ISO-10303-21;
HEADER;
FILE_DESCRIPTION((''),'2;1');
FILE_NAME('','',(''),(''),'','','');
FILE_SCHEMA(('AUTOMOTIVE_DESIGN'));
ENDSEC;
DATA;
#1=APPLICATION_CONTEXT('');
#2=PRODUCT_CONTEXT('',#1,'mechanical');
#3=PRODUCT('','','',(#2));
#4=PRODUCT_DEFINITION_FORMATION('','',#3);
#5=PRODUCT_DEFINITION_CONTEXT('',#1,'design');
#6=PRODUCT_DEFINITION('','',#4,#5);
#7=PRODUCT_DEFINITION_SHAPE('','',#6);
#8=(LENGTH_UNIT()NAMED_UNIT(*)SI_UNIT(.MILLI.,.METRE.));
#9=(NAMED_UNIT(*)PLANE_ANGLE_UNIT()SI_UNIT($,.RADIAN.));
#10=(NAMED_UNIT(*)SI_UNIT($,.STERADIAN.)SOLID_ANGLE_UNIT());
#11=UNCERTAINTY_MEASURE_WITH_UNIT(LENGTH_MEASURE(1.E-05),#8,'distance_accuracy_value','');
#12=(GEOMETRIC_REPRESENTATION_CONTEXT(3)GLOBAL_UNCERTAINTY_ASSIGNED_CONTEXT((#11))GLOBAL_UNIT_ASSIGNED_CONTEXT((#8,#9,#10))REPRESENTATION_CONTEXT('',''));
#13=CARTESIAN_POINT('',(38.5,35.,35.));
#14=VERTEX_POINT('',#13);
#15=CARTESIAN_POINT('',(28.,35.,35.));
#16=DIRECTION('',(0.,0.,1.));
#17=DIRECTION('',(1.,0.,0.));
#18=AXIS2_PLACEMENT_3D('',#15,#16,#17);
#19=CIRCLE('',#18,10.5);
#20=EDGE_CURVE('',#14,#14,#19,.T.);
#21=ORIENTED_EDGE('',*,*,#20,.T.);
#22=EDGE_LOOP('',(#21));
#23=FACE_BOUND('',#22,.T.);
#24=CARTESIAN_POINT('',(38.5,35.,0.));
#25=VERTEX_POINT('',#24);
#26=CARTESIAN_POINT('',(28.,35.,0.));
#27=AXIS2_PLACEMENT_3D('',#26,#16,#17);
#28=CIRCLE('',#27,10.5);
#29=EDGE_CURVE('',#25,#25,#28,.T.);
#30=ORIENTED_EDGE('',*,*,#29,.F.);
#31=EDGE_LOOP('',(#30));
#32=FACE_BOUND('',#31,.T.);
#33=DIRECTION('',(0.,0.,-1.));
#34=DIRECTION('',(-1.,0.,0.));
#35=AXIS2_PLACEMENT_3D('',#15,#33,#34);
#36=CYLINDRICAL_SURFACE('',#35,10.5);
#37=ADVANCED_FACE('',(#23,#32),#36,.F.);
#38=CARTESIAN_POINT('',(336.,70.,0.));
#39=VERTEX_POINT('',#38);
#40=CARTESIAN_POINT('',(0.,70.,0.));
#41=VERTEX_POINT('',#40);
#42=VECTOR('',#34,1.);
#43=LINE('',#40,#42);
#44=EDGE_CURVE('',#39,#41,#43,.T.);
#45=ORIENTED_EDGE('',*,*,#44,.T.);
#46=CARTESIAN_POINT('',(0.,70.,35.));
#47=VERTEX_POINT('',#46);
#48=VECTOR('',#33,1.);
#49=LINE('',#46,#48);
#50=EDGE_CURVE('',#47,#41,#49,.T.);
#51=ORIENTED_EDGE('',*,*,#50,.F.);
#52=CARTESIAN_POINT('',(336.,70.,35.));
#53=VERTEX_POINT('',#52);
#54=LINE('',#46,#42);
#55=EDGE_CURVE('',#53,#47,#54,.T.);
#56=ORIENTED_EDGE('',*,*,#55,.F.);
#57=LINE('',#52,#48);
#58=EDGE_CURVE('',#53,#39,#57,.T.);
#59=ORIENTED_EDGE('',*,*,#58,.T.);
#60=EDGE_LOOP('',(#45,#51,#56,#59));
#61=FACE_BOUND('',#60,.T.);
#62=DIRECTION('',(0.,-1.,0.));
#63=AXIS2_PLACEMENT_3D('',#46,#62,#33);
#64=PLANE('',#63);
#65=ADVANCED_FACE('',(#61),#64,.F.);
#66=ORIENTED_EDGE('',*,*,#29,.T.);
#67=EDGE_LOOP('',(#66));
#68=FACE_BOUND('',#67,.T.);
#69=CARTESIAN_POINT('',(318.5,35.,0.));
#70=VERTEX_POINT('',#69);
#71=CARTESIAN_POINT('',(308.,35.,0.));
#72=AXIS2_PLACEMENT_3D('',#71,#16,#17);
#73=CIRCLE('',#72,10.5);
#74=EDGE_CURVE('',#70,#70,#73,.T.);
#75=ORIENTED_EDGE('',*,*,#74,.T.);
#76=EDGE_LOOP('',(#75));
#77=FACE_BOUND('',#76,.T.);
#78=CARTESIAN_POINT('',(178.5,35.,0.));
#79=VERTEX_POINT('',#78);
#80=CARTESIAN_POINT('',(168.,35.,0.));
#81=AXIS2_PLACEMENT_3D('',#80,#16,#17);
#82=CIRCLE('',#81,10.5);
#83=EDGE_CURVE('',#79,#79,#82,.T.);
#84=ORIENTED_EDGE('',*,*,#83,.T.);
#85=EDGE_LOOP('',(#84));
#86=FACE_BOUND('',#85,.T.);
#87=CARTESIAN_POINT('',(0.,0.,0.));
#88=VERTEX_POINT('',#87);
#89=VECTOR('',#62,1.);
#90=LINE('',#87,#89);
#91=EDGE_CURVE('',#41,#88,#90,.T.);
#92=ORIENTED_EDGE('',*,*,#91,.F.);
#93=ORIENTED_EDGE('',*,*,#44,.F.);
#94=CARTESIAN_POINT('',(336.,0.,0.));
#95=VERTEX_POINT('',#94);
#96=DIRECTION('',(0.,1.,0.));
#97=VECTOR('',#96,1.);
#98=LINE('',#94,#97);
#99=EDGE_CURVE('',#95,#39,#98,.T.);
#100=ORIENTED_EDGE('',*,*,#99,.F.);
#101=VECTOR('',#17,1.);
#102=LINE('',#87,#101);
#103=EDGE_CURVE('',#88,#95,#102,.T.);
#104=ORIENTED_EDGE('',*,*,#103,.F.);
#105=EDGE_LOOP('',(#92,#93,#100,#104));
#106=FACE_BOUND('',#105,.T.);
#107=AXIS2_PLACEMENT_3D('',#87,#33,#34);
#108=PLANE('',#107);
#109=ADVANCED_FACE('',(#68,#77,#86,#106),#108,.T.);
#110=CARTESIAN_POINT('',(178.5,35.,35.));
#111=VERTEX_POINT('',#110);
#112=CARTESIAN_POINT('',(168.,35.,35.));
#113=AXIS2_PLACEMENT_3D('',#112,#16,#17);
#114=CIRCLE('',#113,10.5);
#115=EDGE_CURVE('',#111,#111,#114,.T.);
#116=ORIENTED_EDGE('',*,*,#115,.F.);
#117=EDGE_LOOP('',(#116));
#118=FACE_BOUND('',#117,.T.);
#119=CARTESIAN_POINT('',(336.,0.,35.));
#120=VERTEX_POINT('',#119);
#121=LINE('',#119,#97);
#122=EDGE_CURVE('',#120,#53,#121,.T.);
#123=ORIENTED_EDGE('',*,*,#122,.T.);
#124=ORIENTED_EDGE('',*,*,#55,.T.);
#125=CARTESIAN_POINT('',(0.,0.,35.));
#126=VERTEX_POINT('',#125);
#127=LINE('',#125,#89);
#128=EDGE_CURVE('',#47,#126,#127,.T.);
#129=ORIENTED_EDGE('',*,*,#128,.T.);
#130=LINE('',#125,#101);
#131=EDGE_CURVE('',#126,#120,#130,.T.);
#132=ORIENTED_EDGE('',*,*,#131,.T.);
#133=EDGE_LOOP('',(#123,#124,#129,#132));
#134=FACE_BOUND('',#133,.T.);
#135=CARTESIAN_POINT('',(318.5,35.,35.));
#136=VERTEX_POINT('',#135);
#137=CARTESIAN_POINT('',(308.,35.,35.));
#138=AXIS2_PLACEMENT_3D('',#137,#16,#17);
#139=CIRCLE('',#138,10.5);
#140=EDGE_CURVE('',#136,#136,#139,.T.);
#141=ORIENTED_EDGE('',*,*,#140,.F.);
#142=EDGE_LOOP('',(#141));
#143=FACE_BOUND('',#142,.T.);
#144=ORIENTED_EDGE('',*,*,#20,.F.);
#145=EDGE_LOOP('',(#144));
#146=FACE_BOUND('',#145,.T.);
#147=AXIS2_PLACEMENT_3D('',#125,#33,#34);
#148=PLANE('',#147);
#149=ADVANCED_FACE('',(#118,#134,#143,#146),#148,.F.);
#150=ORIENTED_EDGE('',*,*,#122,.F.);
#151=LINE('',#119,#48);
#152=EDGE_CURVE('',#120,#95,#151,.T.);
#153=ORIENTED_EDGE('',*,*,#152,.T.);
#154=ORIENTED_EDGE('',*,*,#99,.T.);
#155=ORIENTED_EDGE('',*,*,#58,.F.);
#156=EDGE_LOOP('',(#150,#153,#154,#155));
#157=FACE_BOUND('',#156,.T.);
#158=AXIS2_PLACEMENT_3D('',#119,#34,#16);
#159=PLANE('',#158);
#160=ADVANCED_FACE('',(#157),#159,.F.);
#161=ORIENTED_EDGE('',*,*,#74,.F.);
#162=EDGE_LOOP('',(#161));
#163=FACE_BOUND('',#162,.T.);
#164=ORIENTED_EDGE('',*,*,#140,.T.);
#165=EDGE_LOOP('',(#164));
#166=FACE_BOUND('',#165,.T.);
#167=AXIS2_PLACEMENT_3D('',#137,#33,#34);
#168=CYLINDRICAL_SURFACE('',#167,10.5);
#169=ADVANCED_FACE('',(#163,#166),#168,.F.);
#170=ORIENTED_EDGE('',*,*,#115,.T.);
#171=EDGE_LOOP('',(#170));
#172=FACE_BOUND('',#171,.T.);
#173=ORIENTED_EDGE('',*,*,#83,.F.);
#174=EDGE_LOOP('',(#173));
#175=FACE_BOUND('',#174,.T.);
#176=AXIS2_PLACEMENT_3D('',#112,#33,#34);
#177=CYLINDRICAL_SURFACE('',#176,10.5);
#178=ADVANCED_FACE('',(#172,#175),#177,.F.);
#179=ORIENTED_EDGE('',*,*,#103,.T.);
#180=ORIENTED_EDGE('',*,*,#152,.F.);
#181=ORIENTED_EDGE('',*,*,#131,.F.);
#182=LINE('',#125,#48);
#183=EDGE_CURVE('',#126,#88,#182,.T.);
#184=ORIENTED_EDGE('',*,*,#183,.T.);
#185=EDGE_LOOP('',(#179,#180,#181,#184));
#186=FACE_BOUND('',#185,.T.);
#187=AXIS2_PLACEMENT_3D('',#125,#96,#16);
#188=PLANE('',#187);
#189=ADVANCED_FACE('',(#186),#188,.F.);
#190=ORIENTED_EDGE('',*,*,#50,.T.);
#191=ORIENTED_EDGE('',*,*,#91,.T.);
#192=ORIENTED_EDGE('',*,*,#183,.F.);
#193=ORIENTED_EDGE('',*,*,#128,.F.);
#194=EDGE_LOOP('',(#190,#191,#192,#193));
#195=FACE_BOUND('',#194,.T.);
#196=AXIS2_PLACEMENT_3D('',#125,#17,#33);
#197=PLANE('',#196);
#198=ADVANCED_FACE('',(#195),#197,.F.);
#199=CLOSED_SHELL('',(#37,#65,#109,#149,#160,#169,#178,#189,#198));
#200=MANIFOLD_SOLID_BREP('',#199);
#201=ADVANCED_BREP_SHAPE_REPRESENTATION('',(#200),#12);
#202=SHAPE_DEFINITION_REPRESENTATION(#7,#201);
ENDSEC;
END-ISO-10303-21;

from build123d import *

# Parameters (mm, degrees)
CROQUIS1_W              = 336
CROQUIS1_H              = 70
CROQUIS1_R              = 10.5
SALIENTE_EXTRUIR1_DEPTH = 35


with BuildPart() as part:
    # Croquis1 → Saliente-Extruir1 (new body)
    with BuildSketch(Plane.XY):
        with Locations((168, 35)):
            Rectangle(CROQUIS1_W, CROQUIS1_H)
        with Locations((308, 35)):
            Circle(CROQUIS1_R, mode=Mode.SUBTRACT)
        with Locations((168, 35)):
            Circle(CROQUIS1_R, mode=Mode.SUBTRACT)
        with Locations((28, 35)):
            Circle(CROQUIS1_R, mode=Mode.SUBTRACT)
    extrude(amount=SALIENTE_EXTRUIR1_DEPTH)


solid = part.part
